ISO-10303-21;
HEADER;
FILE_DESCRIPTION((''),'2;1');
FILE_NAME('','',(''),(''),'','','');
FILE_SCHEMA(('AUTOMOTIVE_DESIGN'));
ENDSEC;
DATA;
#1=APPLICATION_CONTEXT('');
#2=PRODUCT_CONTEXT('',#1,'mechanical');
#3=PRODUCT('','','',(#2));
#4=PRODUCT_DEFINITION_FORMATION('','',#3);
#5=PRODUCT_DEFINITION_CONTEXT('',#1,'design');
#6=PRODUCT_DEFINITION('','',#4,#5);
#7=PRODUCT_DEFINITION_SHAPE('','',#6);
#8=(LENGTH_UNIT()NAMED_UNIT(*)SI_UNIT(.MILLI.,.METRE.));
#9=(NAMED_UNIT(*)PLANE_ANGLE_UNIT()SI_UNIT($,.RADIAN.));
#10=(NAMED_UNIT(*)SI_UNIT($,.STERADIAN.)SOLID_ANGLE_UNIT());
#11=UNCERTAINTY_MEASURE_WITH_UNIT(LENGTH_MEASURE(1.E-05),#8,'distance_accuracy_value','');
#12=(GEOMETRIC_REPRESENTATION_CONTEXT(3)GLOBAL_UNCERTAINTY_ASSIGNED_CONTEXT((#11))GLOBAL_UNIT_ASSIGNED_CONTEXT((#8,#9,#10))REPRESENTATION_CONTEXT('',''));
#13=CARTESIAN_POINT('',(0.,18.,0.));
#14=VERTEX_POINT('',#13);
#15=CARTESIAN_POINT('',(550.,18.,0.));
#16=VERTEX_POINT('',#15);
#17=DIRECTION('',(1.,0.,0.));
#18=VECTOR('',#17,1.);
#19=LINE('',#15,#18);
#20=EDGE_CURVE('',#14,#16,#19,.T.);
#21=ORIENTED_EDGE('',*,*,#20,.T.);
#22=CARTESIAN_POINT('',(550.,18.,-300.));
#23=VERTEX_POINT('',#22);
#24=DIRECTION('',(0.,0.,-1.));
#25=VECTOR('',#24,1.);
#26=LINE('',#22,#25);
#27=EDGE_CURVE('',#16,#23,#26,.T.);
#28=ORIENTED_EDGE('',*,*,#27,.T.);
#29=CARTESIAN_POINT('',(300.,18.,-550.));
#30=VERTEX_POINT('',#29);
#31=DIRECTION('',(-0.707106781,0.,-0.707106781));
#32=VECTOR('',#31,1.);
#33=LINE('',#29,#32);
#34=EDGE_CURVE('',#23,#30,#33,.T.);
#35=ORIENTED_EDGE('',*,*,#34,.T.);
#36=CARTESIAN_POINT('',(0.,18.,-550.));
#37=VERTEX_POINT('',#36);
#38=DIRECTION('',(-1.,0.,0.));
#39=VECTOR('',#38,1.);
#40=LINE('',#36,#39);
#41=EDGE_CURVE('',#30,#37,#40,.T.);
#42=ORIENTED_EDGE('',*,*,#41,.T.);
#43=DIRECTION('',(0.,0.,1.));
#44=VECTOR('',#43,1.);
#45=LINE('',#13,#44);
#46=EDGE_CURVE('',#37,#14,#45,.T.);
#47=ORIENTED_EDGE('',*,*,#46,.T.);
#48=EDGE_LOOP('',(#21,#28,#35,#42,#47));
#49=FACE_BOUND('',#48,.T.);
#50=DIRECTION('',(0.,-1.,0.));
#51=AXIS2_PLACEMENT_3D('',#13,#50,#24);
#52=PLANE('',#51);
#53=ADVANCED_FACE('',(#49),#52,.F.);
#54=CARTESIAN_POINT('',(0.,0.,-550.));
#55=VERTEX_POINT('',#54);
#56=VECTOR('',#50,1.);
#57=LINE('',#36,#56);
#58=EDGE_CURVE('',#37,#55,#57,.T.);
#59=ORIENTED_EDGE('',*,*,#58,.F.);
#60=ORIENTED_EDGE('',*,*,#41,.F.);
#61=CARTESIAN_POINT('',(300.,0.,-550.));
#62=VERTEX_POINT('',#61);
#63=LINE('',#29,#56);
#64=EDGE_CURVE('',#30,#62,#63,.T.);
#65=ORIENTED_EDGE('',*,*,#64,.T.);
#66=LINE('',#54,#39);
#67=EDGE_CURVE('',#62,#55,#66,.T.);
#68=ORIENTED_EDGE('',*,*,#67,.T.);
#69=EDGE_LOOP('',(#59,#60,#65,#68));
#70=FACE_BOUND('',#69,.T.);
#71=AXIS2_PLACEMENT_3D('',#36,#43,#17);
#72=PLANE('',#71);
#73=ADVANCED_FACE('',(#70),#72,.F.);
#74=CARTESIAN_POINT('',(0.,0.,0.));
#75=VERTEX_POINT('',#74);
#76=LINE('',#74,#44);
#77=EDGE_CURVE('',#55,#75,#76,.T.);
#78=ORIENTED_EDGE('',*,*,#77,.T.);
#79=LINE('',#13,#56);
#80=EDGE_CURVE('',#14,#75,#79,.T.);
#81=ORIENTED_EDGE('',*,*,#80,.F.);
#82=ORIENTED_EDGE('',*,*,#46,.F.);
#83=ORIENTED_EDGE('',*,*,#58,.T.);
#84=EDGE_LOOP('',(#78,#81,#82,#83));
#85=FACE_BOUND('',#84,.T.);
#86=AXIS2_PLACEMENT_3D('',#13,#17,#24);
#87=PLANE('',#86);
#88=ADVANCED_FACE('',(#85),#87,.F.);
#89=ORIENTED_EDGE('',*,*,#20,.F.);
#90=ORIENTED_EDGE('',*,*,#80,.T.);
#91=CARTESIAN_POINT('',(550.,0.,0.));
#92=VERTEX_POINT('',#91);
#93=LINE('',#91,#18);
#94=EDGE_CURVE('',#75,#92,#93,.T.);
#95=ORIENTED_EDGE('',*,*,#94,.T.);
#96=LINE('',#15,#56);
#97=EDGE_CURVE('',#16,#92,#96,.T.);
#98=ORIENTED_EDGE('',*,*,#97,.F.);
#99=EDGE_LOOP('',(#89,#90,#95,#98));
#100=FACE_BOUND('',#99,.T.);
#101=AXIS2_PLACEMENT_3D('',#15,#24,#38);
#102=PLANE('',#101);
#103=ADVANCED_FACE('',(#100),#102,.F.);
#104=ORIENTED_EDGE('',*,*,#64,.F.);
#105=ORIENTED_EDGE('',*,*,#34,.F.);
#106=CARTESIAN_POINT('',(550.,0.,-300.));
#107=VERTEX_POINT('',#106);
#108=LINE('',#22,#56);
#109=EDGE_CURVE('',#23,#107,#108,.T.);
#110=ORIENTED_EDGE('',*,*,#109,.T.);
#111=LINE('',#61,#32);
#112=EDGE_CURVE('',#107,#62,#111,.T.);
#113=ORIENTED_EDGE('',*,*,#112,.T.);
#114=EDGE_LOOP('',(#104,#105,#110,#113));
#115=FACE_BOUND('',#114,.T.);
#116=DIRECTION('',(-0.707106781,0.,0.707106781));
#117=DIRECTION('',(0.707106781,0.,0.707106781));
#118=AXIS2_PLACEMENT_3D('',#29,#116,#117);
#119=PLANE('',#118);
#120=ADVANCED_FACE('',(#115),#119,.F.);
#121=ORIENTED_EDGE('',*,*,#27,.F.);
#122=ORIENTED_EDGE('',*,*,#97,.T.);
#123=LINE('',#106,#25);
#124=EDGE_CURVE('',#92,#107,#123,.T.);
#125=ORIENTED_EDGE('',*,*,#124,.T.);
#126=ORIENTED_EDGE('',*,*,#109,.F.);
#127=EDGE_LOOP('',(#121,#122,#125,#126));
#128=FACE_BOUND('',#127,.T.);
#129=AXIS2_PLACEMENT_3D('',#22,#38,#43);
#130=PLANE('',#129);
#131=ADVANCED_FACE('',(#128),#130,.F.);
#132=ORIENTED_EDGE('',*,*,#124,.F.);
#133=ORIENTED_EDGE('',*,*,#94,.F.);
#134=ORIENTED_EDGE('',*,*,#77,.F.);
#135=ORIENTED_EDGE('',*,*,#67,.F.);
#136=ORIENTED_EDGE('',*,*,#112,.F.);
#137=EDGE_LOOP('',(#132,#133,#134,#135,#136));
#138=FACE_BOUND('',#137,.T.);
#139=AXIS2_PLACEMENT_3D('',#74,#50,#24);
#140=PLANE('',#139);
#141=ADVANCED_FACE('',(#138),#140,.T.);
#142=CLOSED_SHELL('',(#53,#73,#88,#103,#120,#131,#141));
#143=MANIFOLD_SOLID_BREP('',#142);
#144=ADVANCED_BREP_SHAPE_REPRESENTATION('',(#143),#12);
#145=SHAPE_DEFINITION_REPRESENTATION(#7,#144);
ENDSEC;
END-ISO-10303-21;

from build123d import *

# Parameters (mm, degrees)
EXTRUDE_1_DEPTH = 18


with BuildPart() as part:
    # Эскиз1 → Бобышка-Вытянуть1 (new body)
    with BuildSketch(Plane(origin=(0, 0, 0), x_dir=(1, 0, 0), z_dir=(0, 1, 0))):
        Polygon((0, 0), (0, 550), (300, 550), (550, 300), (550, 0), align=None)
    extrude(amount=EXTRUDE_1_DEPTH)


solid = part.part
